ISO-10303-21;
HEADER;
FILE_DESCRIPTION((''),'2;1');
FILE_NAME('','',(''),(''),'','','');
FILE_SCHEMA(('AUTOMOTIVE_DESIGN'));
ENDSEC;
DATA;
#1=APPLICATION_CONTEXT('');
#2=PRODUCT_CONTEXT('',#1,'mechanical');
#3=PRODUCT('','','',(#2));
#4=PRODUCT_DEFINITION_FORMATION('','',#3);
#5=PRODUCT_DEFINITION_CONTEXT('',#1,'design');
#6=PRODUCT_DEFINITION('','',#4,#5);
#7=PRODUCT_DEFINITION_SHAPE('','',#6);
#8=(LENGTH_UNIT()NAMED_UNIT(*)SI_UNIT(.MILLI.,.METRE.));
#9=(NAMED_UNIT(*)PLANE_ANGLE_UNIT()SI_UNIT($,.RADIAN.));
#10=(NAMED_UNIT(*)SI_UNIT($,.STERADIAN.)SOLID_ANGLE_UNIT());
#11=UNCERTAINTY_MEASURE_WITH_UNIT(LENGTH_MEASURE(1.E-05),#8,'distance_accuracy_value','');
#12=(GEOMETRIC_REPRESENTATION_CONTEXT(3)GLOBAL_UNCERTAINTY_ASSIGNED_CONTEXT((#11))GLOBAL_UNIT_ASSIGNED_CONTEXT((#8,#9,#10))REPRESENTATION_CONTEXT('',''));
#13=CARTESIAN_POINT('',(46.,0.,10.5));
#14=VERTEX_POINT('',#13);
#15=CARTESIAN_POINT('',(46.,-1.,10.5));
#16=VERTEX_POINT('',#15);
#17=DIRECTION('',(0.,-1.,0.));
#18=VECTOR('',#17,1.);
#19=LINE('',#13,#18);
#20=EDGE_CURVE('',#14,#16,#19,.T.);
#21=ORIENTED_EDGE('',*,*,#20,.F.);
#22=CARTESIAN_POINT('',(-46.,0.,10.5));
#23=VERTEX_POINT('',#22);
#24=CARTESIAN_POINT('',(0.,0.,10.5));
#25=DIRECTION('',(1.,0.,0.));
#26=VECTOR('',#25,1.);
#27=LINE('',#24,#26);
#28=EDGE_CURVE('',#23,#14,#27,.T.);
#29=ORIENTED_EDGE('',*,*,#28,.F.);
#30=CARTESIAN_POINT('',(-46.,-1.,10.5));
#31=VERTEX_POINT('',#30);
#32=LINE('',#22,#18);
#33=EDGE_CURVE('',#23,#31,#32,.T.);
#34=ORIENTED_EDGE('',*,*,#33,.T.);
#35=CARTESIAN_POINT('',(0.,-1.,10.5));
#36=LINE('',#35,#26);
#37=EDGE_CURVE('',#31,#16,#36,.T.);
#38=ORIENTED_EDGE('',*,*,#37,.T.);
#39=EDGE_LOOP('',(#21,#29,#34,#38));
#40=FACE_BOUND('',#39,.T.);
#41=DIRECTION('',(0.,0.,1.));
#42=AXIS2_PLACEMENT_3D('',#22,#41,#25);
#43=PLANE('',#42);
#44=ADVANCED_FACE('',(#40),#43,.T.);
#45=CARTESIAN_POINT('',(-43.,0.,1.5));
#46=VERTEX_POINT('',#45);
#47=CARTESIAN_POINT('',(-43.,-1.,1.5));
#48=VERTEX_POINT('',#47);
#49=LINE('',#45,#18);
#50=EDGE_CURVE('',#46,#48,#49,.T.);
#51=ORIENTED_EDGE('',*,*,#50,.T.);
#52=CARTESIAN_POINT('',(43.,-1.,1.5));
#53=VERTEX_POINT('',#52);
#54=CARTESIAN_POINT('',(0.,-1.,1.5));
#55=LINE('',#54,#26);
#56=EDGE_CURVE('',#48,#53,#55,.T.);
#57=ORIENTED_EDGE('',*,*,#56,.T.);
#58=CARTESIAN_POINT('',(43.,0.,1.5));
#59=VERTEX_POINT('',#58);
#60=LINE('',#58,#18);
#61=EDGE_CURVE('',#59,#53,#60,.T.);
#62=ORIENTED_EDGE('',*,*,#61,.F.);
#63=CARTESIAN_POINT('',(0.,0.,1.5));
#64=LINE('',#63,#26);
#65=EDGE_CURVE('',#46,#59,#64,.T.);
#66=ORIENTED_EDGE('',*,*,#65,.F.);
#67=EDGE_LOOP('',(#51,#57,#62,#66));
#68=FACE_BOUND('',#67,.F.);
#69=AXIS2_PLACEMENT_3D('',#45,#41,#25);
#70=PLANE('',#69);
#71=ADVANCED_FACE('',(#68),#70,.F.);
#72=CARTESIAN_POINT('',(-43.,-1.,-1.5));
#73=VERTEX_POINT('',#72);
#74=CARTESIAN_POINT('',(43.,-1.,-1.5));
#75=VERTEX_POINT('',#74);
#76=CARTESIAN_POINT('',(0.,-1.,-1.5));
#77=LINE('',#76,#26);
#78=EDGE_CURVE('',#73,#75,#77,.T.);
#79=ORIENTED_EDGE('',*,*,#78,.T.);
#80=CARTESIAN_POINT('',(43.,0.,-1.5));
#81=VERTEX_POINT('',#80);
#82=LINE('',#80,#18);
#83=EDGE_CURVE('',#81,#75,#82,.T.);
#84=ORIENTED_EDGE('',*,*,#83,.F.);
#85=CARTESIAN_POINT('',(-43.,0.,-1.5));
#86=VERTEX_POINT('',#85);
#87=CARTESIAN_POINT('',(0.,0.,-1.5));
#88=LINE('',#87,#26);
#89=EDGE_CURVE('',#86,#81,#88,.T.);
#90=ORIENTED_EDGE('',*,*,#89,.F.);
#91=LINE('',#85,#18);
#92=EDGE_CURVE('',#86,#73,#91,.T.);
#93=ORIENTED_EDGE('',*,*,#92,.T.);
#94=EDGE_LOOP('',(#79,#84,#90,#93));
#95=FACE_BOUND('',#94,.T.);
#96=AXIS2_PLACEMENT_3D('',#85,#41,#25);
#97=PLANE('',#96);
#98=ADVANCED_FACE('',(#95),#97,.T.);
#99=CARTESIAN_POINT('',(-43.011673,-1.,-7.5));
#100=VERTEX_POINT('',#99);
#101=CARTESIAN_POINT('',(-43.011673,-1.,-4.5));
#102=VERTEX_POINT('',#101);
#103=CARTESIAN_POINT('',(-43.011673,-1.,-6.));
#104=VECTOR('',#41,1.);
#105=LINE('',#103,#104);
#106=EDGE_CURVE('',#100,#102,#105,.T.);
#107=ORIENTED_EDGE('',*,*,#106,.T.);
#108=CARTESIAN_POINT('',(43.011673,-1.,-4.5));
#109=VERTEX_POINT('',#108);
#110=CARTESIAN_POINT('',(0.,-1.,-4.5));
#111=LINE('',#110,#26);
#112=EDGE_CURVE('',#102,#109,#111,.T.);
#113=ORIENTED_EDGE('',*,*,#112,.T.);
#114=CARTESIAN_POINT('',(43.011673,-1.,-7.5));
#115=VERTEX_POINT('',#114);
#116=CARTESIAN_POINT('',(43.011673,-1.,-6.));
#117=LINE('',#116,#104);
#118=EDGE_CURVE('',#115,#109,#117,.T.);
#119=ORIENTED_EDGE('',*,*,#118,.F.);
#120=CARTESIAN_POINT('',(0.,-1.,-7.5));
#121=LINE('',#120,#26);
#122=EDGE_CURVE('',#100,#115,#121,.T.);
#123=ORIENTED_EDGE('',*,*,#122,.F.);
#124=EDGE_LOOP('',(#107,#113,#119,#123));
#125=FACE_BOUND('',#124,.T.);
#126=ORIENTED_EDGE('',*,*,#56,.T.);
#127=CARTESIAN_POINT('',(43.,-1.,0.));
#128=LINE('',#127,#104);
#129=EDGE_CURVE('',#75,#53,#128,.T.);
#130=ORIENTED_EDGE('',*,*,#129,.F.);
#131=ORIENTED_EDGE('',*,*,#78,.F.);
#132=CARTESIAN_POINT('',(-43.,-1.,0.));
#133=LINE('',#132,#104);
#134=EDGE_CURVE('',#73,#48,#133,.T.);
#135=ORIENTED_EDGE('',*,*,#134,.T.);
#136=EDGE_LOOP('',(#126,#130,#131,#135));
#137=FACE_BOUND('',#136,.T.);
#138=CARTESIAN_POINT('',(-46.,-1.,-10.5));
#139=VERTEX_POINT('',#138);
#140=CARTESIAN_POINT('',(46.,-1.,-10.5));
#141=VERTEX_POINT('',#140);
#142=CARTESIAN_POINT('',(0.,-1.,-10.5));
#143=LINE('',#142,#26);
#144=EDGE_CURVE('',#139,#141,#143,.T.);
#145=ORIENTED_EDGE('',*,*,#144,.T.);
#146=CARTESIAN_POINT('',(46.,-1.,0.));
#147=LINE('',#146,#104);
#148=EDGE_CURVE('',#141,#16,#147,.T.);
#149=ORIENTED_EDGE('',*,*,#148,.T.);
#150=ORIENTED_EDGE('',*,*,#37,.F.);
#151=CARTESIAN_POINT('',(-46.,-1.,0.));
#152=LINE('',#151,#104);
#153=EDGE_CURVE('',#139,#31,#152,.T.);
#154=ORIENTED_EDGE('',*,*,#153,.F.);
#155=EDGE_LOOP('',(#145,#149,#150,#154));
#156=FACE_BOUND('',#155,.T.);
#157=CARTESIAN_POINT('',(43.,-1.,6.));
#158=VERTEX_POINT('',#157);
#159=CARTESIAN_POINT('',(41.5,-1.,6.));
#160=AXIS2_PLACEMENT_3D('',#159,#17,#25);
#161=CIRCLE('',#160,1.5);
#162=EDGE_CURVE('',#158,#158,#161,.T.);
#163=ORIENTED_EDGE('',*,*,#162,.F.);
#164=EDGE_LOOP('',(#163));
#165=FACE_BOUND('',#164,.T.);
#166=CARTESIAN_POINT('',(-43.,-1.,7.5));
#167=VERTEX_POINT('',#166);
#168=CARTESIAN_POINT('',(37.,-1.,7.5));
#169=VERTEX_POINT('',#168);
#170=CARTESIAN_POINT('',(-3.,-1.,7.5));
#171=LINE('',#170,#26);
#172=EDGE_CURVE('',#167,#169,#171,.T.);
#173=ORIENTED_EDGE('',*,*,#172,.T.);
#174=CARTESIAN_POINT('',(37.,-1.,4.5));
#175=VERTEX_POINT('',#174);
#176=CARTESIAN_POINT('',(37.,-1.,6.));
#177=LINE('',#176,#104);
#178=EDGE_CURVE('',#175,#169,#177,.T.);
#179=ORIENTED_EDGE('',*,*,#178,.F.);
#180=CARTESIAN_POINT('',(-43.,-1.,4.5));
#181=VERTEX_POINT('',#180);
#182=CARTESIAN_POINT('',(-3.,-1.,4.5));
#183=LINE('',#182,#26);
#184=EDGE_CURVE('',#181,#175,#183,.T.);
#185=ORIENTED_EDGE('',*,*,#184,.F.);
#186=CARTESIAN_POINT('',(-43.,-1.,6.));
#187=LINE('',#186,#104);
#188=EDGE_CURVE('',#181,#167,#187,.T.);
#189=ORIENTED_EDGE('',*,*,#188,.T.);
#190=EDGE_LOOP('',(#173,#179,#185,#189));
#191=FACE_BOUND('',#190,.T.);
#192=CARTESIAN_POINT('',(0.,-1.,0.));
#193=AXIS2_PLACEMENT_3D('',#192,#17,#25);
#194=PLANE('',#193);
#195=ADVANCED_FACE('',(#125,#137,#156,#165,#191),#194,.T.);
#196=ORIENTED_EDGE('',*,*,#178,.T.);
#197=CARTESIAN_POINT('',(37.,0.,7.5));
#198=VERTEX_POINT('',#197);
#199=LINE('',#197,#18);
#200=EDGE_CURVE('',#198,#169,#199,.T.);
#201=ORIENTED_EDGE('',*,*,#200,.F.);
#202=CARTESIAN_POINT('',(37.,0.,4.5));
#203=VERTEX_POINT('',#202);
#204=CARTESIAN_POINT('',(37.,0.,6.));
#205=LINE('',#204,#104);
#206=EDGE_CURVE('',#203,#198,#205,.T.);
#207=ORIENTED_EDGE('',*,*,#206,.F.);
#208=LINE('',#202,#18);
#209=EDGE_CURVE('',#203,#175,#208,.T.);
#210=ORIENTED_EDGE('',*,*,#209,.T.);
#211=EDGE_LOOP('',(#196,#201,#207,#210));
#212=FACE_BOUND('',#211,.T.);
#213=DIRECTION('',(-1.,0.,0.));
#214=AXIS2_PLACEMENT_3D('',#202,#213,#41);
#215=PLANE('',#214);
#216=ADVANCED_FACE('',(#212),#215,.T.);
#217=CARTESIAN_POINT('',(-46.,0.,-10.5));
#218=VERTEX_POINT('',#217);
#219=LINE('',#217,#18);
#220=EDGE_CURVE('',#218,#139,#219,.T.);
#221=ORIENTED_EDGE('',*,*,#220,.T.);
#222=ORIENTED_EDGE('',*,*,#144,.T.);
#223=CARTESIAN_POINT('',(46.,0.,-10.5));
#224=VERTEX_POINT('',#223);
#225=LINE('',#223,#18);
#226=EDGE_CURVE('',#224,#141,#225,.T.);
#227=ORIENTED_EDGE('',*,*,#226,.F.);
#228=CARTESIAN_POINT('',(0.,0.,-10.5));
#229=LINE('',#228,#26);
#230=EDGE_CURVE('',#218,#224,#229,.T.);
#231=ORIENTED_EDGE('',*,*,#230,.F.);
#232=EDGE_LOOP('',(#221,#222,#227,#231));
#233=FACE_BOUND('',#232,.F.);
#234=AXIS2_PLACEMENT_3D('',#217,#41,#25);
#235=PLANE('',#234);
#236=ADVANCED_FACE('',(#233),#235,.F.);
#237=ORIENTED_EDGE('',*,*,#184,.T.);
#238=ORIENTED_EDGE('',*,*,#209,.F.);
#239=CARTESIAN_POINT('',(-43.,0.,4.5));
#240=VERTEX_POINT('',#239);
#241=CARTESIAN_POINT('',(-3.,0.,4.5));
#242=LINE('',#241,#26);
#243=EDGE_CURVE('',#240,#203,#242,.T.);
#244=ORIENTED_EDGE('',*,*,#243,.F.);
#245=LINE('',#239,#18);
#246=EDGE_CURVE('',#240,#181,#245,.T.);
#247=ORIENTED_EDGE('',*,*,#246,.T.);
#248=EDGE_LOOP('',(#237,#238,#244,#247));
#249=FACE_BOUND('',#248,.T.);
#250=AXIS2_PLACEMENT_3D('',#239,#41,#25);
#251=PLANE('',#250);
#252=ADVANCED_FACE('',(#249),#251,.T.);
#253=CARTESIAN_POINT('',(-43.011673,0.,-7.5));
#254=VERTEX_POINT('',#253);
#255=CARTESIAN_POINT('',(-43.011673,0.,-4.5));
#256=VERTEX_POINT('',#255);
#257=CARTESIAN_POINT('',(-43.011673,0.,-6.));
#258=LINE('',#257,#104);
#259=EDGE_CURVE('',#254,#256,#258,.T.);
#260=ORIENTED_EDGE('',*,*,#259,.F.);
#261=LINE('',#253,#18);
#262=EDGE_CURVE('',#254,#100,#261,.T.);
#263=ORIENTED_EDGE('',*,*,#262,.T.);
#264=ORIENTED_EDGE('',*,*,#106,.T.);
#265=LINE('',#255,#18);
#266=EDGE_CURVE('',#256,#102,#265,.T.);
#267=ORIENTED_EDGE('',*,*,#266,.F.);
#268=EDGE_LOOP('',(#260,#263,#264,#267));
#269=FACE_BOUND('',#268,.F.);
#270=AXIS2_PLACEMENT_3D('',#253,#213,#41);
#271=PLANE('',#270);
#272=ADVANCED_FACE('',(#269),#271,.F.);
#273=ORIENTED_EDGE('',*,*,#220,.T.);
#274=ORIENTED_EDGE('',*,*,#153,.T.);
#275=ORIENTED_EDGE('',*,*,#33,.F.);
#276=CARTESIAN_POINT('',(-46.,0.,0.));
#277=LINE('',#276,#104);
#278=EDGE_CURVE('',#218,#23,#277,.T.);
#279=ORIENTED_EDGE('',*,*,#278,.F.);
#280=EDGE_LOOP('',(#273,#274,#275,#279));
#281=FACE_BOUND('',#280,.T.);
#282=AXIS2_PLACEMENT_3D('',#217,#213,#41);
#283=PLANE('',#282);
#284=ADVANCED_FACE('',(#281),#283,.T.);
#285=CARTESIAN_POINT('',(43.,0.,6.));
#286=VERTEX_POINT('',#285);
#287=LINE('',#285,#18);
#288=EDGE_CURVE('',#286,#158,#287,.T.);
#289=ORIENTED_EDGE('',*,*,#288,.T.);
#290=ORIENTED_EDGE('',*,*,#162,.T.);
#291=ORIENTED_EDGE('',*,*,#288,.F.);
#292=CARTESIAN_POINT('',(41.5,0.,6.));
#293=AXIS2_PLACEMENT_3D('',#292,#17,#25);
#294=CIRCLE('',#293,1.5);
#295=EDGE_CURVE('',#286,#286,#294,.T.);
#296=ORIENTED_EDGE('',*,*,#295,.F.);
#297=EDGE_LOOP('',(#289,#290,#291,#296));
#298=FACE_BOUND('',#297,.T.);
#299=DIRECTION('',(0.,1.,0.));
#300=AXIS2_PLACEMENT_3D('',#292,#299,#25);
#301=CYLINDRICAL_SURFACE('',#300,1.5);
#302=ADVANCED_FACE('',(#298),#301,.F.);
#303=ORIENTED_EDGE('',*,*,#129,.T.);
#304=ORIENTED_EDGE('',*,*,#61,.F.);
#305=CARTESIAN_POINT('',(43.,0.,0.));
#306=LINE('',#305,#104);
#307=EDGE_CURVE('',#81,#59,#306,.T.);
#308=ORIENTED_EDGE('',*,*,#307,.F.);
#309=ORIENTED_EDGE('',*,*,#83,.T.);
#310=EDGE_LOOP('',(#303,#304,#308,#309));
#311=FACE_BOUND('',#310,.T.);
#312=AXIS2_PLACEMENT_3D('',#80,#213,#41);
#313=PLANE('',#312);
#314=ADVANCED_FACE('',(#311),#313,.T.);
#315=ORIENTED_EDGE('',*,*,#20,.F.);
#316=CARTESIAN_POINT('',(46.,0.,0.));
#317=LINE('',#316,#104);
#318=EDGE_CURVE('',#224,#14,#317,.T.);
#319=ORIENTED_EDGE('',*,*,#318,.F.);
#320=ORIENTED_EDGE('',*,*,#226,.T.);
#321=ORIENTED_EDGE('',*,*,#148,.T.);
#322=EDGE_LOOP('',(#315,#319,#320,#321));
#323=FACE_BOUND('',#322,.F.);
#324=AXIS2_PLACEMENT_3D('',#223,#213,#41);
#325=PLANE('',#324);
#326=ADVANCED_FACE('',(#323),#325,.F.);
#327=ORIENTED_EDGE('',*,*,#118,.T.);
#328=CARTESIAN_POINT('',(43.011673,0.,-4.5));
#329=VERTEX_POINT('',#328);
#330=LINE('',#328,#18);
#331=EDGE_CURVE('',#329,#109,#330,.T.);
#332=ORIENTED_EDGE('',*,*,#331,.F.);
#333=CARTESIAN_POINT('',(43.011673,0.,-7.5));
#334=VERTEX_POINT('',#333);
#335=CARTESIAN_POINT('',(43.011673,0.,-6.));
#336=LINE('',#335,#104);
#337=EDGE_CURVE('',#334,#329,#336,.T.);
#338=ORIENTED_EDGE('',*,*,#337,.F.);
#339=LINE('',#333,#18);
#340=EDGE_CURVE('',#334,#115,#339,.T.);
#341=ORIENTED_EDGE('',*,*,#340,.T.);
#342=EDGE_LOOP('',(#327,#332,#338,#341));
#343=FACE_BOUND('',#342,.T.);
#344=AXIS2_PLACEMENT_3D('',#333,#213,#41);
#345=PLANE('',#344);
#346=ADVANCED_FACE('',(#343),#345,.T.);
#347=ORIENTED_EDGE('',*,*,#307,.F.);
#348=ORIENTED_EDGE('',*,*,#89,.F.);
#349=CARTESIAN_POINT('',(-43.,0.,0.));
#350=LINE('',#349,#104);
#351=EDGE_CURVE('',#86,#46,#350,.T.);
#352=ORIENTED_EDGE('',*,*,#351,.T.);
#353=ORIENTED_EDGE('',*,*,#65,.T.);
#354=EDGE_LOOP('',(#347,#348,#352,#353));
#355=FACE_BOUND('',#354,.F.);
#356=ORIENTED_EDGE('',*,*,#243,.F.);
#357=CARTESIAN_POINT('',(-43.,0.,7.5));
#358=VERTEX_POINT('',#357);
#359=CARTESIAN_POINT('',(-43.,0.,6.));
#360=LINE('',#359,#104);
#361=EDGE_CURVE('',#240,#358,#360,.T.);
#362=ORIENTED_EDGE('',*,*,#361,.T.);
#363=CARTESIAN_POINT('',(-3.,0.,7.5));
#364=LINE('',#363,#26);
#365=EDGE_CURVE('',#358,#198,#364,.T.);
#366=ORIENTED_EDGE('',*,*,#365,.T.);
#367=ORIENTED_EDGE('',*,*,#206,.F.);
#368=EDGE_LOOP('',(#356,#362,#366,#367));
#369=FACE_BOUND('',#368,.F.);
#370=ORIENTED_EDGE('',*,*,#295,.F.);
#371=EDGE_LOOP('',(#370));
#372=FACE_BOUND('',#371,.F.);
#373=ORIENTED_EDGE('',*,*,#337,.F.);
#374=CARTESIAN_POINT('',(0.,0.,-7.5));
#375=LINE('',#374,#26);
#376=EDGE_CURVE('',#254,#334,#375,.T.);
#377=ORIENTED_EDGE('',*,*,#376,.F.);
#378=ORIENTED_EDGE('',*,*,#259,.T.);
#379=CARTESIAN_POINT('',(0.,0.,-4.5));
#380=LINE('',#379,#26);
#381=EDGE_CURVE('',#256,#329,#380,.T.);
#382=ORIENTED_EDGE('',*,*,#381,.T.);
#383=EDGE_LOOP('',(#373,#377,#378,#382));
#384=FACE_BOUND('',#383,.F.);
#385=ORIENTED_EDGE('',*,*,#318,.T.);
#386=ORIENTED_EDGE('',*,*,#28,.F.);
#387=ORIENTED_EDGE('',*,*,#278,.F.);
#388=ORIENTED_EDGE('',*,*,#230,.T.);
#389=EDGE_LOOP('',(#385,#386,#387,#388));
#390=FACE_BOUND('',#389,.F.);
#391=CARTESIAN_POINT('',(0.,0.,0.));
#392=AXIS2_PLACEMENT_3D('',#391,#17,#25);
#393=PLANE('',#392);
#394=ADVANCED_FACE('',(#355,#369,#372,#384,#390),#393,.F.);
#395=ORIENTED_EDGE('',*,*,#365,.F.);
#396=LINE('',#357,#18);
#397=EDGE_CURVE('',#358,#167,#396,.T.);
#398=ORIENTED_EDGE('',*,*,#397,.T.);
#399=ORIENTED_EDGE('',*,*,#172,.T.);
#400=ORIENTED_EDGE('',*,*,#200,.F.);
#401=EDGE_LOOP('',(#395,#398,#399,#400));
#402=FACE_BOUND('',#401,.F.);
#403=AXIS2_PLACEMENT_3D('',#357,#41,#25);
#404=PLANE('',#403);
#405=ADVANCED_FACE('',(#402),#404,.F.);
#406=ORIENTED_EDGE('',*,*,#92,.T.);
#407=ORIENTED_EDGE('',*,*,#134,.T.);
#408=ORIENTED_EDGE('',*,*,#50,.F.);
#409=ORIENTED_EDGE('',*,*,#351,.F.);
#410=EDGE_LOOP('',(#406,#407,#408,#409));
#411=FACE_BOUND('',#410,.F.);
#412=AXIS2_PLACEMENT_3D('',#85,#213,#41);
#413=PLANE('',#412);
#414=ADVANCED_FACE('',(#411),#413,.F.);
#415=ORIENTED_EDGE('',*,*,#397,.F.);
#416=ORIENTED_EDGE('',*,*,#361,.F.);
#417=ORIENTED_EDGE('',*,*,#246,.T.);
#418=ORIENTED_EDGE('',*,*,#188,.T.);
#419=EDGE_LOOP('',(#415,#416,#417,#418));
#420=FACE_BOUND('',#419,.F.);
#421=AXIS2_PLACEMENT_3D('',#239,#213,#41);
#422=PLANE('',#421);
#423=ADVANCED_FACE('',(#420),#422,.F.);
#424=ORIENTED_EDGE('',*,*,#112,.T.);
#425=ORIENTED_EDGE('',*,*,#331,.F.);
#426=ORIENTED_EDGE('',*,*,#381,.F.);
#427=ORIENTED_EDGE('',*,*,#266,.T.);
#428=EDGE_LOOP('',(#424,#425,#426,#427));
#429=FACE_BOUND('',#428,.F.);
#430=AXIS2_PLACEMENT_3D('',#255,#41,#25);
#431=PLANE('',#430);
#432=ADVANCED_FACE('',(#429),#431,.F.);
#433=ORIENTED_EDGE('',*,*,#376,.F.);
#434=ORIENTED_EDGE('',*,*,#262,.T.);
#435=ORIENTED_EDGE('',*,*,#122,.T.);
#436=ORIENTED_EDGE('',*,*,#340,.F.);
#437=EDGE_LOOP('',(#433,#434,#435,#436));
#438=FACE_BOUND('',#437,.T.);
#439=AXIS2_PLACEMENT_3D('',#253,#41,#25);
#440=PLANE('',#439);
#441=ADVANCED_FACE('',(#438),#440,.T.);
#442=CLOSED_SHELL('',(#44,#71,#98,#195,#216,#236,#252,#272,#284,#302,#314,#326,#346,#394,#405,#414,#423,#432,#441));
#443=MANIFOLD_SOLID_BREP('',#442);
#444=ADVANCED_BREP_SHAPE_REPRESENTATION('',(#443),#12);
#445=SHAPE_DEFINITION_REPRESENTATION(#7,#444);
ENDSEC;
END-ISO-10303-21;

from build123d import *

# Parameters (mm, degrees)
F0_W     = 92
F0_H     = 21
F0_W_2   = 86.023346
F0_H_2   = 3
F0_W_3   = 80
F0_W_4   = 86
F0_R     = 1.5
F1_DEPTH = 1


with BuildPart() as f1:
    # F0 (on Front) → F1 (new body)
    with BuildSketch(Plane.XZ):
        Rectangle(F0_W, F0_H)
        with Locations((0, -6)):
            Rectangle(F0_W_2, F0_H_2, mode=Mode.SUBTRACT)
        with Locations((-3, 6)):
            Rectangle(F0_W_3, F0_H_2, mode=Mode.SUBTRACT)
        Rectangle(F0_W_4, F0_H_2, mode=Mode.SUBTRACT)
        with Locations((41.5, 6)):
            Circle(F0_R, mode=Mode.SUBTRACT)
    extrude(amount=F1_DEPTH)


solid = f1.part
